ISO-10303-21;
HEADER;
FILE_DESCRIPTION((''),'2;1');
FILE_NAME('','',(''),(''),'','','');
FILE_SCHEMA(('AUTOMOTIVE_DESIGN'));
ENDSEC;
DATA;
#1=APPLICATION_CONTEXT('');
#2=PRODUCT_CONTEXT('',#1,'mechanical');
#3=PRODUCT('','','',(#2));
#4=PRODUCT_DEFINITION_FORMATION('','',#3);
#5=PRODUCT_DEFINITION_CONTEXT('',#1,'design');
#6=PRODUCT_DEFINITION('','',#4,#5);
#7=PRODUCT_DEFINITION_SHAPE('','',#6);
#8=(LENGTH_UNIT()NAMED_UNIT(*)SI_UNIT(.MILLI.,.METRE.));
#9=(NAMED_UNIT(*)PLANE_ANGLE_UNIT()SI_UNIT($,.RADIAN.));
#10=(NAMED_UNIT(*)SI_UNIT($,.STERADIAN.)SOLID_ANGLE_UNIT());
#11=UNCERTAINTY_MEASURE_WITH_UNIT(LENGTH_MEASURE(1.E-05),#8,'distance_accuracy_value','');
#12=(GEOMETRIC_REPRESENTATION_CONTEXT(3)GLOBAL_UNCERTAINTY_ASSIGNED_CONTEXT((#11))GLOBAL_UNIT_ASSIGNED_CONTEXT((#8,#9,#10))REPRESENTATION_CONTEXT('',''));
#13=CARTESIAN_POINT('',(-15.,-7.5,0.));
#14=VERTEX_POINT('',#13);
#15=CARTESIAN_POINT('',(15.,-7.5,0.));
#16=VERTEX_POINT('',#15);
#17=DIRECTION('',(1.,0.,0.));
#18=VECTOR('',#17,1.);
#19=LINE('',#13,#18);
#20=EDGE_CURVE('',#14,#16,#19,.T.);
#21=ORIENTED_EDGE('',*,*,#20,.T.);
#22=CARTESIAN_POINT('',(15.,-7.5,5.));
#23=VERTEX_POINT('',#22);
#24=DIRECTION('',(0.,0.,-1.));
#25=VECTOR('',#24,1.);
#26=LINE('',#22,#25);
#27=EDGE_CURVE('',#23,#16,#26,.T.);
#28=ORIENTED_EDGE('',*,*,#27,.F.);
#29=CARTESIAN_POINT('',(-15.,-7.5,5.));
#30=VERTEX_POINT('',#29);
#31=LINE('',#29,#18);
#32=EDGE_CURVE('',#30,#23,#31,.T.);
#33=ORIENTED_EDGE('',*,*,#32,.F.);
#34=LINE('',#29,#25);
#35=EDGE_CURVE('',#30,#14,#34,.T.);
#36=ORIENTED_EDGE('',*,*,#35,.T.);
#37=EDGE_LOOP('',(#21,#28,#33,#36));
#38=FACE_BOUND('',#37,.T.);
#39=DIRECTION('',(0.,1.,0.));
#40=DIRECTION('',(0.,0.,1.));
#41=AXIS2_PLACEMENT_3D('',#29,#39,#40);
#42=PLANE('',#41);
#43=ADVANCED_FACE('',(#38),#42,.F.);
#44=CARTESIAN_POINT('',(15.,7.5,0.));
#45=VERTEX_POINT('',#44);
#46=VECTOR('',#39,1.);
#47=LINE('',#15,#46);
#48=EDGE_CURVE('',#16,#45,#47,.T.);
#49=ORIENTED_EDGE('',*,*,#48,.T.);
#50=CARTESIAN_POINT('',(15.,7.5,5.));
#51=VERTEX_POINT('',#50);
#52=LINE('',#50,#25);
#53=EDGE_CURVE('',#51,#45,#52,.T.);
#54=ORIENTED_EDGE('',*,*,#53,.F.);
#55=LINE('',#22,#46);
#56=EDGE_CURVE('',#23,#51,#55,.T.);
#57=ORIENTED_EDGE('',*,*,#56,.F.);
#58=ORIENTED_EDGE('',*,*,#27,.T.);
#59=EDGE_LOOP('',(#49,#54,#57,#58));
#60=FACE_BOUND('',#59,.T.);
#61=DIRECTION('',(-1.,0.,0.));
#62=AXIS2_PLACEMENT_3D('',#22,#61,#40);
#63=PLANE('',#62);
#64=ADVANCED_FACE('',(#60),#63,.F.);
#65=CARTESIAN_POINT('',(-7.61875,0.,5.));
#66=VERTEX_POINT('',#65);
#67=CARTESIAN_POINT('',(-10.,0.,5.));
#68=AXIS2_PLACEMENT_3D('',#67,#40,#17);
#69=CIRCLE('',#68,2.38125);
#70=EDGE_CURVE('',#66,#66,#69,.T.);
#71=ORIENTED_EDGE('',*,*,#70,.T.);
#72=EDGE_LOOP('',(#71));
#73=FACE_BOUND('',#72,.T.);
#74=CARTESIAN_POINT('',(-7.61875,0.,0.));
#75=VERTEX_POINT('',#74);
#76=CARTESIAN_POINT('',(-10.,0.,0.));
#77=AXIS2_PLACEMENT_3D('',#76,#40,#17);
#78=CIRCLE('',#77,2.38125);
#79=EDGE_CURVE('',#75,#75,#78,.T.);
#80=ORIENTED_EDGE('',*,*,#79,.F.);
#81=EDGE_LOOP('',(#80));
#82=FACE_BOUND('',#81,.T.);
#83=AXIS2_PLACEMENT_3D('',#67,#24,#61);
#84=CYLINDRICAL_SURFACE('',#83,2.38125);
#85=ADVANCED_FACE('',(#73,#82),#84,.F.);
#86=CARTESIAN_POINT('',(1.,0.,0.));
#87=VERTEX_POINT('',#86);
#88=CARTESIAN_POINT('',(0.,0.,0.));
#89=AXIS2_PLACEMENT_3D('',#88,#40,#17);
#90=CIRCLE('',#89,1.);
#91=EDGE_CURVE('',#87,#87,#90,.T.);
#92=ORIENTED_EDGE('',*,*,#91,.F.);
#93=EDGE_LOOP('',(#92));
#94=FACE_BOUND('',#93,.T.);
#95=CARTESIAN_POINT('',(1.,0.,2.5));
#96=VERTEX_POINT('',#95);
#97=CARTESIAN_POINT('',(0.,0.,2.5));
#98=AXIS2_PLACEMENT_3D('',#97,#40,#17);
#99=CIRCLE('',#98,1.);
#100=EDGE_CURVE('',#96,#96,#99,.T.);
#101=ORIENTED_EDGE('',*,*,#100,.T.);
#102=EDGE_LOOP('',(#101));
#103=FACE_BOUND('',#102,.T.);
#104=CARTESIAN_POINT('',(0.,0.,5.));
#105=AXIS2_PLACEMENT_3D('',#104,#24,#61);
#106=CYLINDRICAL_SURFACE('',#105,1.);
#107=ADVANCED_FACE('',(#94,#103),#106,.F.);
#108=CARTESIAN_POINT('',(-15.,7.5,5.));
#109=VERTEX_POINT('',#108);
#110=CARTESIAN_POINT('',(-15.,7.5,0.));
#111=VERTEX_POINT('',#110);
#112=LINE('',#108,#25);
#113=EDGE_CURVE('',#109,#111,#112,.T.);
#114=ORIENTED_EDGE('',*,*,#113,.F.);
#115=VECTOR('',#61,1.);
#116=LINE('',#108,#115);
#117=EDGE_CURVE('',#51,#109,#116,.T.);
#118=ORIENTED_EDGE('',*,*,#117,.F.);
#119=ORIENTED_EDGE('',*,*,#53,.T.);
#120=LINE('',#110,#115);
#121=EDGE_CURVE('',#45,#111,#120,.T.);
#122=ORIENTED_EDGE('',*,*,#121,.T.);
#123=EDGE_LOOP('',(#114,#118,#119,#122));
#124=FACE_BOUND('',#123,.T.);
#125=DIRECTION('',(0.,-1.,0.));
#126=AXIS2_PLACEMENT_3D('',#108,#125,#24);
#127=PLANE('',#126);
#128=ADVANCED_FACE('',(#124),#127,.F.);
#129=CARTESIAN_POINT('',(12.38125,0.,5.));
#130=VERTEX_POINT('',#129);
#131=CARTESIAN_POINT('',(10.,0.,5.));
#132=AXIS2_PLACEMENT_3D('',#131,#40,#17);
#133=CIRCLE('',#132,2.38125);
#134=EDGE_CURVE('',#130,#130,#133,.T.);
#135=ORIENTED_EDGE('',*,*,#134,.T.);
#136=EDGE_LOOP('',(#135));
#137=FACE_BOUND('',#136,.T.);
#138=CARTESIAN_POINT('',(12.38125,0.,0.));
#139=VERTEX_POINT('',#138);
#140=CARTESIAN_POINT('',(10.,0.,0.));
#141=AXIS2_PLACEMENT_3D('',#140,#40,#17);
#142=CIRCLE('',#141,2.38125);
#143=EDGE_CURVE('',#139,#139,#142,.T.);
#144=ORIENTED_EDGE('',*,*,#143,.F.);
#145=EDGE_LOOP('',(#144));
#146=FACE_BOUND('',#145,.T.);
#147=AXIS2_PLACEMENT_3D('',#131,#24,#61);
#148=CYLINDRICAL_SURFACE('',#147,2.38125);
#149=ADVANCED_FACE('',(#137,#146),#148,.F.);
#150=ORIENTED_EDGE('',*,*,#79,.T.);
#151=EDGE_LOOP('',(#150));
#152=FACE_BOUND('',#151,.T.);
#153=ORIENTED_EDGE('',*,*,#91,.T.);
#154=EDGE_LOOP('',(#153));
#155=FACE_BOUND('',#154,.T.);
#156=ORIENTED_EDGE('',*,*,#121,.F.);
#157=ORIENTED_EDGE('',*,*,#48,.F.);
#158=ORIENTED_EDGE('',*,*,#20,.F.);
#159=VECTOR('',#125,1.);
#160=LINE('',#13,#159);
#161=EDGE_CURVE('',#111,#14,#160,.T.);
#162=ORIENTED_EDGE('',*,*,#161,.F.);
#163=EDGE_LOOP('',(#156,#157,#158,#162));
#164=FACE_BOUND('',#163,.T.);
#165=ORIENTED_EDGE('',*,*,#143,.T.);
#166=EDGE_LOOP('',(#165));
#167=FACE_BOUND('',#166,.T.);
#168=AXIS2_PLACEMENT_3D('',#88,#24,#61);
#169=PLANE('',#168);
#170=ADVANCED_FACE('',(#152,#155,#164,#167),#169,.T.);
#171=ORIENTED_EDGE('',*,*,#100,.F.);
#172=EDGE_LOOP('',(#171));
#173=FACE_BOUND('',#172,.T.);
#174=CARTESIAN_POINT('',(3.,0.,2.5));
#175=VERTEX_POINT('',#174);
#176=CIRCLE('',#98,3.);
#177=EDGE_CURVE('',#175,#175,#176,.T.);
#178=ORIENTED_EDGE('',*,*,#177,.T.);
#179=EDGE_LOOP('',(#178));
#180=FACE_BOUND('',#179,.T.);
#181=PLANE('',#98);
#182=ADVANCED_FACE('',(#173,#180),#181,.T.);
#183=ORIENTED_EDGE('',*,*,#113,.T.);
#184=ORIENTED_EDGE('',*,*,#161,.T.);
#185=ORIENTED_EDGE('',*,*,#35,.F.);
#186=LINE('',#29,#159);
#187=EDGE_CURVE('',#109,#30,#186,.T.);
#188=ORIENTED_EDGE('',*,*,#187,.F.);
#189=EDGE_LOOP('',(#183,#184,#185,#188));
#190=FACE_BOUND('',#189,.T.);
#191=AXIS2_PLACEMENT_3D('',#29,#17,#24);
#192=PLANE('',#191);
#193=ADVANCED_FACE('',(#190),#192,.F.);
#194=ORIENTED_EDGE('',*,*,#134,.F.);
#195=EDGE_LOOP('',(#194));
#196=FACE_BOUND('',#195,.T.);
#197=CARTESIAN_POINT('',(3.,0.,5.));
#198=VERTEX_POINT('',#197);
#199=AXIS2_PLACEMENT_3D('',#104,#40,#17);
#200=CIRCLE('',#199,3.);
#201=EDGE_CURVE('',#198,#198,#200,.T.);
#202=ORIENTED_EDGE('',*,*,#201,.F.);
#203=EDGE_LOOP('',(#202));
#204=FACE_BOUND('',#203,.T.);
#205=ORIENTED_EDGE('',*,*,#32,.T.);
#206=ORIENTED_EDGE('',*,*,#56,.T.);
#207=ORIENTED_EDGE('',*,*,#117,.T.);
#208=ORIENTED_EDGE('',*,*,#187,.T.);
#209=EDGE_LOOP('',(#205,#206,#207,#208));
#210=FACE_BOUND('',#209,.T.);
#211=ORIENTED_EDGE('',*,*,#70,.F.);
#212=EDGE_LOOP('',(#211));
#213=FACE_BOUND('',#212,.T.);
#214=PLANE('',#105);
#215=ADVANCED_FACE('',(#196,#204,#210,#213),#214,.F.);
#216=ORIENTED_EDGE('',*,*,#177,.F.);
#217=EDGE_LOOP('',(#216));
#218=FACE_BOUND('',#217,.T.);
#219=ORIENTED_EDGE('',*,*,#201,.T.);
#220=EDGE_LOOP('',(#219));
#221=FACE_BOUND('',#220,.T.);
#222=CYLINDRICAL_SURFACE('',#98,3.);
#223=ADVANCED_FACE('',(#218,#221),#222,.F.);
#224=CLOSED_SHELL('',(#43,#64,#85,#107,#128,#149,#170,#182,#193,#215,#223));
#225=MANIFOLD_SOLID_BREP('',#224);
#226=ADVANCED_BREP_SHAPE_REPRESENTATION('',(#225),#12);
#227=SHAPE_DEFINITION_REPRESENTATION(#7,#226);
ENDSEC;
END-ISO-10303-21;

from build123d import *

# Parameters (mm, degrees)
SKETCH1_W           = 30
SKETCH1_H           = 15
SKETCH1_R           = 1
SKETCH1_R_2         = 2.38125
BOSS_EXTRUDE1_DEPTH = 5
SKETCH2_R           = 3
CUT_EXTRUDE1_DEPTH  = 2.5


with BuildPart() as part:
    # Sketch1 → Boss-Extrude1 (new body)
    with BuildSketch(Plane.XY):
        Rectangle(SKETCH1_W, SKETCH1_H)
        Circle(SKETCH1_R, mode=Mode.SUBTRACT)
        with Locations((10, 0)):
            Circle(SKETCH1_R_2, mode=Mode.SUBTRACT)
        with Locations((-10, 0)):
            Circle(SKETCH1_R_2, mode=Mode.SUBTRACT)
    extrude(amount=BOSS_EXTRUDE1_DEPTH)

    # Sketch2 → Cut-Extrude1 (cut)
    with BuildSketch(Plane.XY.offset(5)):
        Circle(SKETCH2_R)
    extrude(amount=-CUT_EXTRUDE1_DEPTH, mode=Mode.SUBTRACT)


solid = part.part
